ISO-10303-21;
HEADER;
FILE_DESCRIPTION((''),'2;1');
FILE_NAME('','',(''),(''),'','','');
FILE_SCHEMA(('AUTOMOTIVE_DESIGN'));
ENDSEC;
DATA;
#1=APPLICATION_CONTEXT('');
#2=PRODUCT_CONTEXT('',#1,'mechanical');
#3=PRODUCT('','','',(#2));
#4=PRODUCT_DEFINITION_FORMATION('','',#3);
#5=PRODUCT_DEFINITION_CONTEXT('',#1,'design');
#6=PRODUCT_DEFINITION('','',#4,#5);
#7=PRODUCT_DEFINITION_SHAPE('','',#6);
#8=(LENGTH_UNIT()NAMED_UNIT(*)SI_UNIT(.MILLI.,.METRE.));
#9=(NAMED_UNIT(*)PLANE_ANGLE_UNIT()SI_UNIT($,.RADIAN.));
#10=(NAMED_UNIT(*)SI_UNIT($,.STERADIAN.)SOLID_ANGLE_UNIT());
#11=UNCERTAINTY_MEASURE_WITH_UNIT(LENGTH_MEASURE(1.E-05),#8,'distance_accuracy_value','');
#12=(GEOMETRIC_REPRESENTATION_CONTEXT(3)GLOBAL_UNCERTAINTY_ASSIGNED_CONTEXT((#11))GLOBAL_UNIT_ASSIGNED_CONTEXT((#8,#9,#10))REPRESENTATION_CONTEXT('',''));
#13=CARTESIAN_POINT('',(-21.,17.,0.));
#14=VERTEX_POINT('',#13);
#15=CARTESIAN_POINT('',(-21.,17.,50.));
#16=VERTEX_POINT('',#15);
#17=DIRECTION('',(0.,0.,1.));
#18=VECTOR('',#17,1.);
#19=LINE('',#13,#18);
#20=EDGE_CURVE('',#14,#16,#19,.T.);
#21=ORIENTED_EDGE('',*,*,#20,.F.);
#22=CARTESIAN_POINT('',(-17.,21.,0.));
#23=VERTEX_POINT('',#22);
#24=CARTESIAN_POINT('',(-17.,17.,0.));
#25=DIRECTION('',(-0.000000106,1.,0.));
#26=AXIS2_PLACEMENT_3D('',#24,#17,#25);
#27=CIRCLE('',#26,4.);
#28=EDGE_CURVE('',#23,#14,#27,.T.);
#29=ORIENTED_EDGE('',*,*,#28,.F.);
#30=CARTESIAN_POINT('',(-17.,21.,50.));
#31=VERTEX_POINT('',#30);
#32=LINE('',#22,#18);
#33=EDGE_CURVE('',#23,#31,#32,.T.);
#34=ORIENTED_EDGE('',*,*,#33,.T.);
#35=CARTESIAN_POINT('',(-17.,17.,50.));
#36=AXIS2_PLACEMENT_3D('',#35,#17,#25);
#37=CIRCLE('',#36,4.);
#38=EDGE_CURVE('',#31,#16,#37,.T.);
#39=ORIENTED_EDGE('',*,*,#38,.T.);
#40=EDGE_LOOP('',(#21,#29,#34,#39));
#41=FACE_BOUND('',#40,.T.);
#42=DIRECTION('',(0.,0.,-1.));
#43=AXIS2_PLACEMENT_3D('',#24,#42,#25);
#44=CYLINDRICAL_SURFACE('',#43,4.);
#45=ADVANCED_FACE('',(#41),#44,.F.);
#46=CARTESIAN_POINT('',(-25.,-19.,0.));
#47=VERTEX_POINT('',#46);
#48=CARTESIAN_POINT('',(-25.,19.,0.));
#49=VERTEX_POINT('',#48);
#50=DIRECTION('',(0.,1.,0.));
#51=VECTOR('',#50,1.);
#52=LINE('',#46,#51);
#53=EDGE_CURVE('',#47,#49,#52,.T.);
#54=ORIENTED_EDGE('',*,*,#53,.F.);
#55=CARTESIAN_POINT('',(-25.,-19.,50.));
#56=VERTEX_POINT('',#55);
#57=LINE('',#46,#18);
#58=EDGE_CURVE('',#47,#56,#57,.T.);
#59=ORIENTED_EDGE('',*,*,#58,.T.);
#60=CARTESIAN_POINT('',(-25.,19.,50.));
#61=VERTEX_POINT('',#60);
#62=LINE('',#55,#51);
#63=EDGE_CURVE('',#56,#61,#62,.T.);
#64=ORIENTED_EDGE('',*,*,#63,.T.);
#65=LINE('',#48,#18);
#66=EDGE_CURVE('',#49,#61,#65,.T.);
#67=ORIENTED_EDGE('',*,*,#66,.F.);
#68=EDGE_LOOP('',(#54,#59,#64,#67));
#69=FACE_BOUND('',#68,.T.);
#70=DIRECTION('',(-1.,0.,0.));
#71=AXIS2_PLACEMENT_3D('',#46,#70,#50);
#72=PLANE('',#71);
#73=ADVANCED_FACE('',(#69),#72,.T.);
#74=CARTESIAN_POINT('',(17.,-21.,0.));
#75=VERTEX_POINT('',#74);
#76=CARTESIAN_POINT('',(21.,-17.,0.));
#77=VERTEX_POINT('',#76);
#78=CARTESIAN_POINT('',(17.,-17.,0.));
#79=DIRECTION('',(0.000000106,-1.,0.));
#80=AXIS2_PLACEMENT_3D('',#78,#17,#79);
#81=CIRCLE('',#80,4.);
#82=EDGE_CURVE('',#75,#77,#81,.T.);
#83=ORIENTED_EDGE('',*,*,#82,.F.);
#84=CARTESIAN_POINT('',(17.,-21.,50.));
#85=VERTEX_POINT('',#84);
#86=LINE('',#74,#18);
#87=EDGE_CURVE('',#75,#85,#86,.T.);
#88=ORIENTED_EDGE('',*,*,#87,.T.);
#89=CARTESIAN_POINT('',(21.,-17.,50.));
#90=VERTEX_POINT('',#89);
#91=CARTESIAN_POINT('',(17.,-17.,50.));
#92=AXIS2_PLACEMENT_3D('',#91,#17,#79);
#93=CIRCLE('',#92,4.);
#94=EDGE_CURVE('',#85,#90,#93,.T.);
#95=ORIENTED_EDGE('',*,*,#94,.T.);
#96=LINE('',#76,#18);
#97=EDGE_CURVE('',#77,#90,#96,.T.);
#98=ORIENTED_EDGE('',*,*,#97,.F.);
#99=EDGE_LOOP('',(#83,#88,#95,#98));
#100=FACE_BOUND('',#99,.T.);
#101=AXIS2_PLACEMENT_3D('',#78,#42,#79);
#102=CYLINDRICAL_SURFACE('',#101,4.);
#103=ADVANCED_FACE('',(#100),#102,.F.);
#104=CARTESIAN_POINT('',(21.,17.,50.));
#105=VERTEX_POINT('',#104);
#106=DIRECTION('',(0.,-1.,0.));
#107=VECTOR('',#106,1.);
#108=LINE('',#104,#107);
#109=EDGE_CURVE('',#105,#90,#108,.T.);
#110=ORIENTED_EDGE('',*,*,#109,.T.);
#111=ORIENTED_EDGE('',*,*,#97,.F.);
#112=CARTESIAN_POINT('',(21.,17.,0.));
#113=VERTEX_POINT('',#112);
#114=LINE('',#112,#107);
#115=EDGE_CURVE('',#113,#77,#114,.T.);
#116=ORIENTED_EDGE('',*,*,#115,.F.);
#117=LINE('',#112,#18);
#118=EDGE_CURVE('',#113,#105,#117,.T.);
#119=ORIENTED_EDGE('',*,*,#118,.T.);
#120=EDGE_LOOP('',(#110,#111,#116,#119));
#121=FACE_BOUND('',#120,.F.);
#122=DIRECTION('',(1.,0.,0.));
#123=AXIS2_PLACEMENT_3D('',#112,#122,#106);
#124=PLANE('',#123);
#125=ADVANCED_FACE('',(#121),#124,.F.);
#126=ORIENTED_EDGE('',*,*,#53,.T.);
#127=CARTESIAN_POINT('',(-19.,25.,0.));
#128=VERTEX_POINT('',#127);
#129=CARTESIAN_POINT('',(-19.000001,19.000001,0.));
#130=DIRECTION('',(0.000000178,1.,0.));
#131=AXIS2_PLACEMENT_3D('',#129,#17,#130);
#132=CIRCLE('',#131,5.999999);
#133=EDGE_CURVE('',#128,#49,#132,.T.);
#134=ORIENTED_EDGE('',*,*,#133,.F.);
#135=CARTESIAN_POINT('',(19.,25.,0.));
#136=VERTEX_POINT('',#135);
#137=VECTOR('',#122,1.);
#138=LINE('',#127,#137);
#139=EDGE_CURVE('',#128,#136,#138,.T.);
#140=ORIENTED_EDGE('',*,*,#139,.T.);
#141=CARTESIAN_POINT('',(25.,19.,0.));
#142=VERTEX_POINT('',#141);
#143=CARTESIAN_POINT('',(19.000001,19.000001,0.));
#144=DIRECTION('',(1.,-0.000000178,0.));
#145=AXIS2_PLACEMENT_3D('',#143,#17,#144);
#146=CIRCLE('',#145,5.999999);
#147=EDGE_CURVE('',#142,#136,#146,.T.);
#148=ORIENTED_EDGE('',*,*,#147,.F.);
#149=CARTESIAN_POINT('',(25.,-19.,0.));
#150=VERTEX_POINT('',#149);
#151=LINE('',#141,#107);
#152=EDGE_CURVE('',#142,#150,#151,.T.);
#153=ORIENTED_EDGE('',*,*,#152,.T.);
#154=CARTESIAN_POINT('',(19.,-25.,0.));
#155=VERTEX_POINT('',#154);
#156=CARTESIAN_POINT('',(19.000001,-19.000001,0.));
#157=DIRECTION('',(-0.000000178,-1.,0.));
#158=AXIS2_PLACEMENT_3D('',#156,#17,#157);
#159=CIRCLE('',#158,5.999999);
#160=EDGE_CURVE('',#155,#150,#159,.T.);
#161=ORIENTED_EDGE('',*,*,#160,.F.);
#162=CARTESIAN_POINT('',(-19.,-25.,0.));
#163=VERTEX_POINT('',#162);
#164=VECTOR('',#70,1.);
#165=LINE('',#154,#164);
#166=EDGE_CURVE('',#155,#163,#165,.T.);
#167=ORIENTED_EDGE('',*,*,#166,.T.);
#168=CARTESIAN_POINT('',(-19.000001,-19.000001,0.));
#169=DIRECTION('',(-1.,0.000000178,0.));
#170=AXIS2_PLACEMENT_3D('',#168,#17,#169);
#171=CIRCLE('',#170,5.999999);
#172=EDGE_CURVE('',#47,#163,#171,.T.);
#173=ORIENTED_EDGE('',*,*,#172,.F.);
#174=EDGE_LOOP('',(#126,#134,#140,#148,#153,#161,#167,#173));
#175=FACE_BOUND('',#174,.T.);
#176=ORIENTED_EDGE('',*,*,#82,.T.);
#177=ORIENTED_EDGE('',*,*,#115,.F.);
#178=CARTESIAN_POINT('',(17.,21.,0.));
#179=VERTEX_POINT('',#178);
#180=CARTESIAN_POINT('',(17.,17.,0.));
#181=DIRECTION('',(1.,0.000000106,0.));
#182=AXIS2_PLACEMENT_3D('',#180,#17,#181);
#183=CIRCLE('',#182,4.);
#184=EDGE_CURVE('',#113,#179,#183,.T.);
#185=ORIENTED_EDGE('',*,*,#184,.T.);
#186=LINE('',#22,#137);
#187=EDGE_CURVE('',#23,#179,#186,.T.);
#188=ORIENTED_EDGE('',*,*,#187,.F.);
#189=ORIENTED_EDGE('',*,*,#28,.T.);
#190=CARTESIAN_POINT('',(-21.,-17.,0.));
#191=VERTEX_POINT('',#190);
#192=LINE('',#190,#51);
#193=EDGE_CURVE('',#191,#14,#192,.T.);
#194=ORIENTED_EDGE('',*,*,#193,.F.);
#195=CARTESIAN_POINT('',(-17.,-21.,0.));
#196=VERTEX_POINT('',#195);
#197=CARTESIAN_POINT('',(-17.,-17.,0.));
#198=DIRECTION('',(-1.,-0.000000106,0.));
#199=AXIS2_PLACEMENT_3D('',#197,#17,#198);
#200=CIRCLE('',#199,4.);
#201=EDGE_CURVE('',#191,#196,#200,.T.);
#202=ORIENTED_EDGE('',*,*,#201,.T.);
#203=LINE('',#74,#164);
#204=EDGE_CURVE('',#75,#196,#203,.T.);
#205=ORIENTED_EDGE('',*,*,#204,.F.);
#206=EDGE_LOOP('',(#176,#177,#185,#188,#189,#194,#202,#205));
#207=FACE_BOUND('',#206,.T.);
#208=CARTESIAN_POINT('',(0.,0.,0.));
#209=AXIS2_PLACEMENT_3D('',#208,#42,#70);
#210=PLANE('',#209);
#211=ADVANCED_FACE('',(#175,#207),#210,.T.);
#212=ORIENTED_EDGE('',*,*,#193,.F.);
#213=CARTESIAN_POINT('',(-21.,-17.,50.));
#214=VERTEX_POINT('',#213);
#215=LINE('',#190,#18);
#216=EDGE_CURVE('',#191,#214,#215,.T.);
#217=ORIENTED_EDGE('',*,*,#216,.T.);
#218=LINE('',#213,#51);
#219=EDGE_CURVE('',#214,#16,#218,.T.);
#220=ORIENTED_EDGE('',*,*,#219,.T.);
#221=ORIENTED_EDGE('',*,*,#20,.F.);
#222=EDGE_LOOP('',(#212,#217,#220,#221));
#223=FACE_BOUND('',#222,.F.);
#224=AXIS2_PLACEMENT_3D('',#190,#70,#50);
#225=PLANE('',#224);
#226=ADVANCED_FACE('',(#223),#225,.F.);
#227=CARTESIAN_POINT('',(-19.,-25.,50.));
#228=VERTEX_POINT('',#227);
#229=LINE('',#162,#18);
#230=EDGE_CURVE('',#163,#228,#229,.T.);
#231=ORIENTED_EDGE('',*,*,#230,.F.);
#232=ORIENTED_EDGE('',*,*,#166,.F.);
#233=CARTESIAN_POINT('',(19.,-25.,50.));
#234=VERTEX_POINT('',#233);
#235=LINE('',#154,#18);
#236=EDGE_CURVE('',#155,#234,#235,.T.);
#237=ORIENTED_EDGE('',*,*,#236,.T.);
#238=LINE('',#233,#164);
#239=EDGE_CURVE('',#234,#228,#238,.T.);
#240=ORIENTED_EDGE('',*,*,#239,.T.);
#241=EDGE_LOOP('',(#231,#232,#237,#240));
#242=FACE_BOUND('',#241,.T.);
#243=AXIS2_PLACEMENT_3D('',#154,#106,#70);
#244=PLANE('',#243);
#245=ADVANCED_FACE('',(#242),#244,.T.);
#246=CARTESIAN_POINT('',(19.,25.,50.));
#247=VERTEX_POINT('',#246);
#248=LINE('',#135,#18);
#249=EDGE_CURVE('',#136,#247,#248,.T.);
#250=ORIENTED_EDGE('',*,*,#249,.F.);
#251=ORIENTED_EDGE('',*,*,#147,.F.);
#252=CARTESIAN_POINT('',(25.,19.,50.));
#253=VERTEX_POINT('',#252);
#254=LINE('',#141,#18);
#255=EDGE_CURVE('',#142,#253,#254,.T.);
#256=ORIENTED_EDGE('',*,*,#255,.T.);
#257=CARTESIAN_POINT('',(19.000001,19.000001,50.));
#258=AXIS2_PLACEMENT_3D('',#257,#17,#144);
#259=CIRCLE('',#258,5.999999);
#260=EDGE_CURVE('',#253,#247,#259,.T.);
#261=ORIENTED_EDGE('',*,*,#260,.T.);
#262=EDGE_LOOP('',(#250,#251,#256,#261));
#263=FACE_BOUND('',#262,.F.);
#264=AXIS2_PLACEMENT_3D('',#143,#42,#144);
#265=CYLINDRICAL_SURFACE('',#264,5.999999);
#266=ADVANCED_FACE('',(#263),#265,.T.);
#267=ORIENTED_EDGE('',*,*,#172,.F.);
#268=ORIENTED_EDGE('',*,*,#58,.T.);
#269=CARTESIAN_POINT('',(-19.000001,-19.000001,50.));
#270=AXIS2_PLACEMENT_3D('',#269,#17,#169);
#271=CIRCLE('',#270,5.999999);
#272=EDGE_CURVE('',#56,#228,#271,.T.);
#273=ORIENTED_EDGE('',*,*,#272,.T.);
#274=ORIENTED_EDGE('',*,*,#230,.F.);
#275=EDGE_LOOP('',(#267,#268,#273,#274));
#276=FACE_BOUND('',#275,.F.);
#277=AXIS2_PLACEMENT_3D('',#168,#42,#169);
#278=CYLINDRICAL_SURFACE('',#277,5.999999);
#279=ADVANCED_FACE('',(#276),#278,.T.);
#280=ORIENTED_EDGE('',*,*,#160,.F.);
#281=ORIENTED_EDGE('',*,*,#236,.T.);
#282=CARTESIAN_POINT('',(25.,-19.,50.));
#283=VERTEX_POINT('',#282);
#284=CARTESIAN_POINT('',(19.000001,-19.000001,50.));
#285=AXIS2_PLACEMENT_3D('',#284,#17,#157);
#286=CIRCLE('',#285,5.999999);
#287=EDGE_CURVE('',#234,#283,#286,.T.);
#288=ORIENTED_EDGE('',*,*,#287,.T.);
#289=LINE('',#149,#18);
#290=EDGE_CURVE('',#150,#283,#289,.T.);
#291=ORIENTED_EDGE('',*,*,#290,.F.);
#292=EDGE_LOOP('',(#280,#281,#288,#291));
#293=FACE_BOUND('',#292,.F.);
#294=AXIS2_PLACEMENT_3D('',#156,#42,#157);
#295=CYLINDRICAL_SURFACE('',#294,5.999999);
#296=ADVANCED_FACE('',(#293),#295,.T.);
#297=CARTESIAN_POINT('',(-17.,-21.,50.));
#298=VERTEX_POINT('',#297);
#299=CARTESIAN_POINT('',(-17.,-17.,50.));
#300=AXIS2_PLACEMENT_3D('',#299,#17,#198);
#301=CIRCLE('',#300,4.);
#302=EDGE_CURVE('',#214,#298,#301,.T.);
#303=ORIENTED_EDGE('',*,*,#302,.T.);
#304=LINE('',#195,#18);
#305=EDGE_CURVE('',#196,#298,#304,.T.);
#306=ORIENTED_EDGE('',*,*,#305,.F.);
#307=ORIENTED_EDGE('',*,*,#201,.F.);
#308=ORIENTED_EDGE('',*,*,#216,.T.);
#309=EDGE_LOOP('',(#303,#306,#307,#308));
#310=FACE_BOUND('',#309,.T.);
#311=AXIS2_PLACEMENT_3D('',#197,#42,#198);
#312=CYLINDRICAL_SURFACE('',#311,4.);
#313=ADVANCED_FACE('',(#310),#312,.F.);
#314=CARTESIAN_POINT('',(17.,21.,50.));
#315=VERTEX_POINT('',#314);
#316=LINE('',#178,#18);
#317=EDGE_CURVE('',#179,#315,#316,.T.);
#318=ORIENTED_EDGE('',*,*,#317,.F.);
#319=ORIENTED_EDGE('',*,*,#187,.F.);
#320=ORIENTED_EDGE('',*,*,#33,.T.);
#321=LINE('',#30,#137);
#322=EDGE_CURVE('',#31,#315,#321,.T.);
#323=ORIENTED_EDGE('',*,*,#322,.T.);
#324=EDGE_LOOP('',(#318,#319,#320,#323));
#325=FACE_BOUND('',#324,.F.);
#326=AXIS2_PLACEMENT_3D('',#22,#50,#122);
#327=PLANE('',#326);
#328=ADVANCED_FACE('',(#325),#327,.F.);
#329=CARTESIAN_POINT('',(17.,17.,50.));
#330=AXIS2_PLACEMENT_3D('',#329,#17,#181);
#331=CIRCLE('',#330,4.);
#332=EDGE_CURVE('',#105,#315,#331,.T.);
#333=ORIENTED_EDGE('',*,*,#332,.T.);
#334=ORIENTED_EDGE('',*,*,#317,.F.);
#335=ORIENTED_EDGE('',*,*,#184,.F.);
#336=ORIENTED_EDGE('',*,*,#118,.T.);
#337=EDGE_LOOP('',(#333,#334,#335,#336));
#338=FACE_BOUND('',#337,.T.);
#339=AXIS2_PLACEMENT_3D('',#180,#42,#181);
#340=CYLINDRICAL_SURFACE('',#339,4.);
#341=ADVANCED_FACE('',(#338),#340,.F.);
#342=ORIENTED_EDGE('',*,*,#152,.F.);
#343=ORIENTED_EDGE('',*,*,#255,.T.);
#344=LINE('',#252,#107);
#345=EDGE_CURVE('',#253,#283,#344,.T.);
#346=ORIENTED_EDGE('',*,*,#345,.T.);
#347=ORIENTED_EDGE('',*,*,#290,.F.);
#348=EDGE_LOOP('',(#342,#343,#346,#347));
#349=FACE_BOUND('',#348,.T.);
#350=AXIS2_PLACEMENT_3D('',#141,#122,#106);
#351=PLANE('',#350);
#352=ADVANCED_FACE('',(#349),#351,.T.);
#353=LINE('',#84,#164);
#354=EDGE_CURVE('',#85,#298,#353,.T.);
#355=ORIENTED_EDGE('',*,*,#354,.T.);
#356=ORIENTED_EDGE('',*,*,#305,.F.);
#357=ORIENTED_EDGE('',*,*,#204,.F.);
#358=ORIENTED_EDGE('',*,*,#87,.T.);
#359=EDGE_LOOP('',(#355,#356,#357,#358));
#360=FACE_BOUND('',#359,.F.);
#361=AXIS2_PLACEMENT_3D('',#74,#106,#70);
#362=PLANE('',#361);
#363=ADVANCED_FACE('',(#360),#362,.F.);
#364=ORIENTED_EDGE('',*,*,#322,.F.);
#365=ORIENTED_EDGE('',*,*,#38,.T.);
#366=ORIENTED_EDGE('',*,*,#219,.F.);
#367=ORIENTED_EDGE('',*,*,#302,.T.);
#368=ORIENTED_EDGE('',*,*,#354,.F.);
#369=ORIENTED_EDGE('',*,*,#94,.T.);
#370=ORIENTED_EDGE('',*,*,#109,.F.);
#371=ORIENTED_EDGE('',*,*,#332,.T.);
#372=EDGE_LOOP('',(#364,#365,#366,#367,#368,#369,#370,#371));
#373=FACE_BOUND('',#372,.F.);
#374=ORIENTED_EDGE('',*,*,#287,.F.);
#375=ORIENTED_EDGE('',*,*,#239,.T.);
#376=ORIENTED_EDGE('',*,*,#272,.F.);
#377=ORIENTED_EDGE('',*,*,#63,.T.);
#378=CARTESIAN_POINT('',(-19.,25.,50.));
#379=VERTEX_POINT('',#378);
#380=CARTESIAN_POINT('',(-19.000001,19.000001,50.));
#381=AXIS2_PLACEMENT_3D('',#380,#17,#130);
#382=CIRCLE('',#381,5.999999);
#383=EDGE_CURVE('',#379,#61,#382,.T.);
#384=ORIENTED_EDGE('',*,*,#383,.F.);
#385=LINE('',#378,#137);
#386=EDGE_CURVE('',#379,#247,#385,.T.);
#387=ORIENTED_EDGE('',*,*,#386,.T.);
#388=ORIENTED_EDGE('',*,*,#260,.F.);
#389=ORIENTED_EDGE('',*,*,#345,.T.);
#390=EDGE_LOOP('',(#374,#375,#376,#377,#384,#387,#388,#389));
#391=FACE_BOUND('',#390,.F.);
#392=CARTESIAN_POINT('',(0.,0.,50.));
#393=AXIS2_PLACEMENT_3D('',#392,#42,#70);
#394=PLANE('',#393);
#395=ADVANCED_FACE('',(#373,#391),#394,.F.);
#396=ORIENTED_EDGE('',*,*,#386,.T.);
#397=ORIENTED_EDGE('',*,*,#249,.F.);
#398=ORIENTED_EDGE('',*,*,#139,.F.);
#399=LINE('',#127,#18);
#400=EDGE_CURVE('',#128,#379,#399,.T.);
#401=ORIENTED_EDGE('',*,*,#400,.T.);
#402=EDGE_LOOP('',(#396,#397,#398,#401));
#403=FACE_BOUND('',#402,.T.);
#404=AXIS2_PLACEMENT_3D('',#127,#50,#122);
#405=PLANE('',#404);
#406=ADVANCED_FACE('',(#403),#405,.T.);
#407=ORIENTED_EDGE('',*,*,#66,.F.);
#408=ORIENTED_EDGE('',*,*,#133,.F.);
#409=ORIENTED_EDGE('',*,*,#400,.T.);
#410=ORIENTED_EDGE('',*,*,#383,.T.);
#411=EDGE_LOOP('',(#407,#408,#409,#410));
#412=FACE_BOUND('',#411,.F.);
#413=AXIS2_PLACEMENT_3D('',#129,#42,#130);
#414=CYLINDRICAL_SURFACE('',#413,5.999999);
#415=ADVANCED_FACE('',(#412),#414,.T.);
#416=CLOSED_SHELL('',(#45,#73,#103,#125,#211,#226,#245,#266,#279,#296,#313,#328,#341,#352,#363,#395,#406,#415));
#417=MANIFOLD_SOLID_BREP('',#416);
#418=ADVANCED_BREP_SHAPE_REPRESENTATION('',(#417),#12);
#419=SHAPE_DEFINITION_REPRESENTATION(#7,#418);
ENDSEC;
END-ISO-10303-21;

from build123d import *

# Parameters (mm, degrees)
EXTRUDE_DEPTH = 50


with BuildPart() as part:
    # Sketch → Extrude (new body)
    with BuildSketch(Plane.XY):
        with BuildLine():
            Line((-19, 25), (19, 25))
            ThreePointArc((25, 19), (23.242641, 23.242641), (19, 25))
            Line((25, 19), (25, -19))
            ThreePointArc((19, -25), (23.242641, -23.242641), (25, -19))
            Line((19, -25), (-19, -25))
            ThreePointArc((-25, -19), (-23.242641, -23.242641), (-19, -25))
            Line((-25, -19), (-25, 19))
            ThreePointArc((-19, 25), (-23.242641, 23.242641), (-25, 19))
        make_face()
        with BuildLine():
            Line((-17, 21), (17, 21))
            ThreePointArc((21, 17), (19.828427, 19.828427), (17, 21))
            Line((21, 17), (21, -17))
            ThreePointArc((17, -21), (19.828427, -19.828427), (21, -17))
            Line((17, -21), (-17, -21))
            ThreePointArc((-21, -17), (-19.828427, -19.828427), (-17, -21))
            Line((-21, -17), (-21, 17))
            ThreePointArc((-17, 21), (-19.828427, 19.828427), (-21, 17))
        make_face(mode=Mode.SUBTRACT)
    extrude(amount=EXTRUDE_DEPTH)


solid = part.part
